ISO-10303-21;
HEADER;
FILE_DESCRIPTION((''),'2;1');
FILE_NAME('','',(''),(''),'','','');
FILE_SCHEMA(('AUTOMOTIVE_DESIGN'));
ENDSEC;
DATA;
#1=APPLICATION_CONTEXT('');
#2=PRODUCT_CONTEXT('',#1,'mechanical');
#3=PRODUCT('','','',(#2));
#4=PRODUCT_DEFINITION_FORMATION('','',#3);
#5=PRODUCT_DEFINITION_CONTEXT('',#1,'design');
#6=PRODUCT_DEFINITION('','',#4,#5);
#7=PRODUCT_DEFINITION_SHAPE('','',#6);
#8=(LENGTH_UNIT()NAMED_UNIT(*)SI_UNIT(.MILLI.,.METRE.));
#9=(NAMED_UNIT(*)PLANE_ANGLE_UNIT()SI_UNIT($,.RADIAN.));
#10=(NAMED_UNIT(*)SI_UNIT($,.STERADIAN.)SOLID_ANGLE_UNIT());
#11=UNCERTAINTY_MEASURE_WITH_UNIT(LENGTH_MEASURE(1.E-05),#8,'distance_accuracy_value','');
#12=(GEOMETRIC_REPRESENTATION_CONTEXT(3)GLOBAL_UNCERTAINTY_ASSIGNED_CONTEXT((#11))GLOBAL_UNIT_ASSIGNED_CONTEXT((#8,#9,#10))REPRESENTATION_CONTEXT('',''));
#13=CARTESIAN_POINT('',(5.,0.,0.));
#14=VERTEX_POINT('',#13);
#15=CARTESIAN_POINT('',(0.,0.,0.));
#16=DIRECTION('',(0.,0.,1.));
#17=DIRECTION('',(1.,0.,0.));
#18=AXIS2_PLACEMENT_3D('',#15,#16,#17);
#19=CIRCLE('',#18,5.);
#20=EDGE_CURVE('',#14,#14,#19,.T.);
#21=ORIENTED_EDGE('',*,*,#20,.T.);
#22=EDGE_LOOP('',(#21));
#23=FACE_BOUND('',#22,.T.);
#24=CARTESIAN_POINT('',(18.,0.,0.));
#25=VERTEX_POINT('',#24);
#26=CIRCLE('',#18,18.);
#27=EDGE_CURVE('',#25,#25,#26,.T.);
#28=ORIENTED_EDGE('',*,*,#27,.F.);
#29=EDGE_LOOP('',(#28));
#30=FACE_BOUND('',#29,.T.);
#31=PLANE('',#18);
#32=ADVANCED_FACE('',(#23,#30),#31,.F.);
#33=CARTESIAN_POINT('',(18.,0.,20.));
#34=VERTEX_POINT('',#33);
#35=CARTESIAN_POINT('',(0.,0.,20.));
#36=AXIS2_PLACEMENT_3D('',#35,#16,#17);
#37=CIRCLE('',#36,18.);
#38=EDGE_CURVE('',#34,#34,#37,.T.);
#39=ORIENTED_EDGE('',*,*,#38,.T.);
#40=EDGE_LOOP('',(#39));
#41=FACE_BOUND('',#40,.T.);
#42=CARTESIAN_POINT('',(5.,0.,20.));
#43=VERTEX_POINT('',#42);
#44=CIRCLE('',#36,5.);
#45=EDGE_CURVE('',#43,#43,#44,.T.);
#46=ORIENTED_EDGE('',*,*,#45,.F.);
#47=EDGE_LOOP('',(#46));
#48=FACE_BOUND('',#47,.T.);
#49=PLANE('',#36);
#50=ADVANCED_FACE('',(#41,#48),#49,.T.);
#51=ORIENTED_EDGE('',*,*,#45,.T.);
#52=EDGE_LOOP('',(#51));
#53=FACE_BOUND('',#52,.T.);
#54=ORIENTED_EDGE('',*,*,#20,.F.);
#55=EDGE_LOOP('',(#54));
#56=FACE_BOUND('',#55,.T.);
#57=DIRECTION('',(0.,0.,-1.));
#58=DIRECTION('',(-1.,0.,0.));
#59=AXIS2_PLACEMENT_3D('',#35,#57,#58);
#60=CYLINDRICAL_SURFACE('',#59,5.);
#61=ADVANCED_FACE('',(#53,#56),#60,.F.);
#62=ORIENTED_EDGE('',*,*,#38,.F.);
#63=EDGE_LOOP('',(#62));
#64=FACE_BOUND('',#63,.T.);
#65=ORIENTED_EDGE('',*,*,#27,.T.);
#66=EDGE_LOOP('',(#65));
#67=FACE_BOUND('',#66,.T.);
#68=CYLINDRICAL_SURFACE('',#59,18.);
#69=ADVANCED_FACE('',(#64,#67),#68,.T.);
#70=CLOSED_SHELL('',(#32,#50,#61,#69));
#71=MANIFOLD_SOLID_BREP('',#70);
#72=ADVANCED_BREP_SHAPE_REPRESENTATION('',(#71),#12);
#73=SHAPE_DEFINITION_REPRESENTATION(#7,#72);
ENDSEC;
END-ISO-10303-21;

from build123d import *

# Parameters (mm, degrees)
SKETCH1_R           = 18
BOSS_EXTRUDE1_DEPTH = 20
SKETCH2_R           = 5
CUT_EXTRUDE1_DEPTH  = 20


with BuildPart() as part:
    # Sketch1 → Boss-Extrude1 (new body)
    with BuildSketch(Plane.XY):
        Circle(SKETCH1_R)
    extrude(amount=BOSS_EXTRUDE1_DEPTH)

    # Sketch2 → Cut-Extrude1 (cut)
    with BuildSketch(Plane.XY):
        Circle(SKETCH2_R)
    extrude(amount=CUT_EXTRUDE1_DEPTH, mode=Mode.SUBTRACT)


solid = part.part
